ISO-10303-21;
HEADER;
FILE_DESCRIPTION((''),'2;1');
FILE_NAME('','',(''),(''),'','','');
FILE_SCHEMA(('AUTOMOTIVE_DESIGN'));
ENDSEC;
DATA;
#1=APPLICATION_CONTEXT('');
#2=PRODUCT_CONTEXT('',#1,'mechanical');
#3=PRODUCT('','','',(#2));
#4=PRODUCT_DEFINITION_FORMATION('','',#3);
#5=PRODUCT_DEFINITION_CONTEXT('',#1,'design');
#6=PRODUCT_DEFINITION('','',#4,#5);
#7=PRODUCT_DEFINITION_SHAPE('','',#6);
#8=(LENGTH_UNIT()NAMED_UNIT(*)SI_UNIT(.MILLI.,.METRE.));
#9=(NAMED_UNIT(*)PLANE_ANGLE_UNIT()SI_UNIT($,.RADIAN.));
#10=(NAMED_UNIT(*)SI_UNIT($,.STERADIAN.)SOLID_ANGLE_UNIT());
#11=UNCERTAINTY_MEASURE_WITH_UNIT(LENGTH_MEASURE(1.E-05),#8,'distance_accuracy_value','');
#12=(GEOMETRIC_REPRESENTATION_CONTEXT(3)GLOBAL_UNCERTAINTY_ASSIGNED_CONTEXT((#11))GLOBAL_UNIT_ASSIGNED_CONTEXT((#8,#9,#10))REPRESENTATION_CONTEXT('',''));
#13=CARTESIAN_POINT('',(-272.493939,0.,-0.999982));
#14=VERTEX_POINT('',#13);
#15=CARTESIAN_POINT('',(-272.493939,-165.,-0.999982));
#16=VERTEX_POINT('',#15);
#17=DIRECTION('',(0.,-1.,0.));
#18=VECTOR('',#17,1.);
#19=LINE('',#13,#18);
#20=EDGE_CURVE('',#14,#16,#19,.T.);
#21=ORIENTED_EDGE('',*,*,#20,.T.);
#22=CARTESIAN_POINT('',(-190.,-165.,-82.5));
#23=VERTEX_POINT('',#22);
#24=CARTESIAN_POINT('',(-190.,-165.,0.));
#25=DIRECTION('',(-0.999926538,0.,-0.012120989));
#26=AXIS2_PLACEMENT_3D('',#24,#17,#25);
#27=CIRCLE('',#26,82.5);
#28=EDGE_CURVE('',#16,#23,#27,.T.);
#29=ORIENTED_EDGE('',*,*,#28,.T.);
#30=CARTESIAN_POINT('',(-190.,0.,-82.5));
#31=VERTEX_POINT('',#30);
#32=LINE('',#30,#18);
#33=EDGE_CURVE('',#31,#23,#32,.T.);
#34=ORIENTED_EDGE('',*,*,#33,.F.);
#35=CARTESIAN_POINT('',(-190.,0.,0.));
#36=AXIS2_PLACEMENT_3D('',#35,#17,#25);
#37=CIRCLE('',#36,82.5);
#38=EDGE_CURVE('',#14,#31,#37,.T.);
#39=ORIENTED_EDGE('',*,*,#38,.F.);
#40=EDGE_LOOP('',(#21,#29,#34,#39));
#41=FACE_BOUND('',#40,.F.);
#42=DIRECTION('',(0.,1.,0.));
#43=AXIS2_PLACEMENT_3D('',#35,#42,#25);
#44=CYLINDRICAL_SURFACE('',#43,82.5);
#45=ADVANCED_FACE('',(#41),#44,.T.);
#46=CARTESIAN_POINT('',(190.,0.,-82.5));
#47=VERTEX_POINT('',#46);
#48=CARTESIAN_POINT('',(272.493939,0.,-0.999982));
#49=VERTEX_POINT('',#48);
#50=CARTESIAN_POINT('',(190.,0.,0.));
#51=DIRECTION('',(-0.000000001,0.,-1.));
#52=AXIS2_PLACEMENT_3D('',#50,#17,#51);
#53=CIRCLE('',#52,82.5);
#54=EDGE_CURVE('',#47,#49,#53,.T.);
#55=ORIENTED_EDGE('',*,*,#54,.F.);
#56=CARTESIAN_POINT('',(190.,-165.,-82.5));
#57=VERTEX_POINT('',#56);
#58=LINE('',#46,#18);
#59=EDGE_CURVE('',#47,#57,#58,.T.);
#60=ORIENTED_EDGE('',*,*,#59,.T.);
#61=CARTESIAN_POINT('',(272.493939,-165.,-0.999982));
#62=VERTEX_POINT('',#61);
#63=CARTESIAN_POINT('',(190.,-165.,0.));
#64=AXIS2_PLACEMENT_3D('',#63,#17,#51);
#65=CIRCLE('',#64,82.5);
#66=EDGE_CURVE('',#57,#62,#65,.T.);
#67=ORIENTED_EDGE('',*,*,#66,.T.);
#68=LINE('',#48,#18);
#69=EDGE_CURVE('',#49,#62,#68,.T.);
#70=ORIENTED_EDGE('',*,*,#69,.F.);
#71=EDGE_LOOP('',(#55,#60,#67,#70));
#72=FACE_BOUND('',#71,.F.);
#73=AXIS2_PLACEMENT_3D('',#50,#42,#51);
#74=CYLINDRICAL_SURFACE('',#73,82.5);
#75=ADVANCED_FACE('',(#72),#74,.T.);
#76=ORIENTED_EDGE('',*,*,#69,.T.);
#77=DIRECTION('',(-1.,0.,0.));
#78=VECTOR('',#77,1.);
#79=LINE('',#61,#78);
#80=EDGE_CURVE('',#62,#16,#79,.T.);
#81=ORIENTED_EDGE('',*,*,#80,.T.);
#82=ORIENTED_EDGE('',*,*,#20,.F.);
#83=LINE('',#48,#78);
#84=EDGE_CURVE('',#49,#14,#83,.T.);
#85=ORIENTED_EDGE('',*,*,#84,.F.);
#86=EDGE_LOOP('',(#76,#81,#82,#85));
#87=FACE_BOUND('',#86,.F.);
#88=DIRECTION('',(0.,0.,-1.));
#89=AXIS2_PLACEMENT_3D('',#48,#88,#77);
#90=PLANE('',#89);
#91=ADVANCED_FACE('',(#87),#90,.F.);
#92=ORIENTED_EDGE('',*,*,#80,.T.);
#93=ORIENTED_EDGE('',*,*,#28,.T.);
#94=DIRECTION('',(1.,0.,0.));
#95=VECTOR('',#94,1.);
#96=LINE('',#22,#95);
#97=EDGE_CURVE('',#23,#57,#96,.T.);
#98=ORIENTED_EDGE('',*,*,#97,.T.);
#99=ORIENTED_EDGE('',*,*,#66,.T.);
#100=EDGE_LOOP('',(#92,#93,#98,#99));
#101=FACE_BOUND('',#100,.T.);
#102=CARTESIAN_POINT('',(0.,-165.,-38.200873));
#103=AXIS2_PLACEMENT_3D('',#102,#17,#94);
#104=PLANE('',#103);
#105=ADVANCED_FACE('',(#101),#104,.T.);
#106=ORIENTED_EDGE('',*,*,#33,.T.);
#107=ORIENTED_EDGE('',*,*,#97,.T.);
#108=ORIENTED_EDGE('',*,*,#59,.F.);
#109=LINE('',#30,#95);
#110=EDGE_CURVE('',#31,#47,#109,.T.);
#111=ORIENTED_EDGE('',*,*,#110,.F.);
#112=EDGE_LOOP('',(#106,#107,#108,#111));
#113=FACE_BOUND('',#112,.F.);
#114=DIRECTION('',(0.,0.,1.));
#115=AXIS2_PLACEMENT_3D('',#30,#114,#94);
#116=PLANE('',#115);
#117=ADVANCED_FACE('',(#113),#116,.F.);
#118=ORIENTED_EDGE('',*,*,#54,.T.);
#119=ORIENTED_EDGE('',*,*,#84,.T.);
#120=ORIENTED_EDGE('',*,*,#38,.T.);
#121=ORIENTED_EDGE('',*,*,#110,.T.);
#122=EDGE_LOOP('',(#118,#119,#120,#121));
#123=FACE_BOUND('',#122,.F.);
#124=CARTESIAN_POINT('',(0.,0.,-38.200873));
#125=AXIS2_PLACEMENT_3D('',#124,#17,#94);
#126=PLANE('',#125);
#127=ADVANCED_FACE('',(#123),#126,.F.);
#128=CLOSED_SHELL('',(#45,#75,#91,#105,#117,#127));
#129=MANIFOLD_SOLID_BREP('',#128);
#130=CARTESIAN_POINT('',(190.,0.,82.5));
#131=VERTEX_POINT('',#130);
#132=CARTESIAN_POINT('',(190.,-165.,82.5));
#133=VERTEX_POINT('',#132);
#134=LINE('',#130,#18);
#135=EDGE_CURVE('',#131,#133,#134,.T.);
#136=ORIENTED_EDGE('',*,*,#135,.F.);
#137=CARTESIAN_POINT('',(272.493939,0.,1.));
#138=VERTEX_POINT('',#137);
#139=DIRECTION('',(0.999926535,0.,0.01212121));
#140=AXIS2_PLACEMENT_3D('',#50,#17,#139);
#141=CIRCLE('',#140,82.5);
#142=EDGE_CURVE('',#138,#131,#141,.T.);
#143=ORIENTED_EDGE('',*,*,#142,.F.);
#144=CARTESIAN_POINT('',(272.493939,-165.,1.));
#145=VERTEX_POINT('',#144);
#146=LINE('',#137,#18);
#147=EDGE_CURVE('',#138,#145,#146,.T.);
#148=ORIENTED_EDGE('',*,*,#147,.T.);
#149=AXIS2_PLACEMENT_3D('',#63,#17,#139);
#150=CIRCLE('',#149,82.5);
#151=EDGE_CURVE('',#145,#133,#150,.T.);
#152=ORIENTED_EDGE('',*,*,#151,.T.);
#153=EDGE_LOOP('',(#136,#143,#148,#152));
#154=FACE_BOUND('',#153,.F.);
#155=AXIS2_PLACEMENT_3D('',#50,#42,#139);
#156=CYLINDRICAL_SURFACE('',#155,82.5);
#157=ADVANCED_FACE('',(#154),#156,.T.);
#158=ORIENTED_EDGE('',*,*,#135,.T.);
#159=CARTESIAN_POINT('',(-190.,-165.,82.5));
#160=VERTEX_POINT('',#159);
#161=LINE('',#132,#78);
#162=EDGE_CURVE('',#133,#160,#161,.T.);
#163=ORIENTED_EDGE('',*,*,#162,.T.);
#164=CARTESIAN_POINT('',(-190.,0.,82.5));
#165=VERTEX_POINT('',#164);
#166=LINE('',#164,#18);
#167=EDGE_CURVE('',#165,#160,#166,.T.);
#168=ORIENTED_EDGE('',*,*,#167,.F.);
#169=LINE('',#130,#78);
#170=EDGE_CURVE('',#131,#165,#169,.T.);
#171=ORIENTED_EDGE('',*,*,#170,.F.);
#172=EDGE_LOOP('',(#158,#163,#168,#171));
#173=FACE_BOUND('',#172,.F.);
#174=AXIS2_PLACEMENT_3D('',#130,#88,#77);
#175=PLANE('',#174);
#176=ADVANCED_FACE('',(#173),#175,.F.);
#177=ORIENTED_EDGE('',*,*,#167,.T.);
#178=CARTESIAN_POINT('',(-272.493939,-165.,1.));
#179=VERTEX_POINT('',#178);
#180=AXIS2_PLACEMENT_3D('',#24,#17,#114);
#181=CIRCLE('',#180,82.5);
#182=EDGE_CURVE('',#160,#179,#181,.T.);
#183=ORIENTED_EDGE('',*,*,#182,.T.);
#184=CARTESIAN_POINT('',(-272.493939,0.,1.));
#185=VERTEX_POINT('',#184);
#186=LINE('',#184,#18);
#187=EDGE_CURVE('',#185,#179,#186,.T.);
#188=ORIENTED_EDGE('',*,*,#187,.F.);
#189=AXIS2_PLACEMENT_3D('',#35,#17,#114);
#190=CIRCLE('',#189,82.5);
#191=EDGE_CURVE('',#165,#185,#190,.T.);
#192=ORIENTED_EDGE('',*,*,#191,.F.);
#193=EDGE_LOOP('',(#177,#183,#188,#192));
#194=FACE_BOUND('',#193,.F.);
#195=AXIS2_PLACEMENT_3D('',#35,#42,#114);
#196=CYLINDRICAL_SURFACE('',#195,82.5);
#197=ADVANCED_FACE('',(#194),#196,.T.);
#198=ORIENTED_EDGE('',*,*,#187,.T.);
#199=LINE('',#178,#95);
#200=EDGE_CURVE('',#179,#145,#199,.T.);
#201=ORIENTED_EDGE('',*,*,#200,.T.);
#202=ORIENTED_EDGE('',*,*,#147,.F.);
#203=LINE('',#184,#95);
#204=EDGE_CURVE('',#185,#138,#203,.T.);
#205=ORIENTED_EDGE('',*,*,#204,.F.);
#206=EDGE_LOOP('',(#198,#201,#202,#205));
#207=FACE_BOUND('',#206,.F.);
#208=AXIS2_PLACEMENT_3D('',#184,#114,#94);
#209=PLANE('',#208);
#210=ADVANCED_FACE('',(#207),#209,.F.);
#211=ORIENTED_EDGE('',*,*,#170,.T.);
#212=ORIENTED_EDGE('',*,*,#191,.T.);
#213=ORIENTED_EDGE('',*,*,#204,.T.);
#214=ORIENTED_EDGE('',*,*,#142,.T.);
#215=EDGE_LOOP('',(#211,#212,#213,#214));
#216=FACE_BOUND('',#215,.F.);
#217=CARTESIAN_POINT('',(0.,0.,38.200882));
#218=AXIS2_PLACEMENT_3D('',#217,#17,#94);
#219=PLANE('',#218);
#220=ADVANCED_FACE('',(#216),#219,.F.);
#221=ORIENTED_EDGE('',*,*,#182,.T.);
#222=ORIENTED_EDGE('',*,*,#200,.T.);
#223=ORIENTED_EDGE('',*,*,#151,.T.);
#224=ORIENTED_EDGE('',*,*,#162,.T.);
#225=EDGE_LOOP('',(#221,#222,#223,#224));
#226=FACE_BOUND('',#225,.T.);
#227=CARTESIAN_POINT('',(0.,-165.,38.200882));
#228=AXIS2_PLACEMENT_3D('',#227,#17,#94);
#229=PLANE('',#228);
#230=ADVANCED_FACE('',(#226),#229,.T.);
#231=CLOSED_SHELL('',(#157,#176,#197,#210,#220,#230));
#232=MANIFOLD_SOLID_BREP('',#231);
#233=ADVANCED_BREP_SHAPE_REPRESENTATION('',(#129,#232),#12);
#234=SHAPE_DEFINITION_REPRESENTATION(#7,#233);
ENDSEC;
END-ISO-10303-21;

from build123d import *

# Parameters (mm, degrees)
F1_DEPTH = 165


with BuildPart() as f1:
    # F0 (on Front) → F1 (new body)
    with BuildSketch(Plane.XZ):
        with BuildLine():
            Line((-190, 1), (190, 1))
            Line((190, 1), (272.493939, 1))
            ThreePointArc((272.493939, 1), (247.981678, 58.688798), (190, 82.5))
            Line((190, 82.5), (-190, 82.5))
            ThreePointArc((-190, 82.5), (-247.981678, 58.688798), (-272.493939, 1))
            Line((-272.493939, 1), (-190, 1))
        make_face()
        with BuildLine():
            Line((272.493939, -0.999982), (190, -0.999982))
            Line((190, -0.999982), (-190, -0.999982))
            Line((-190, -0.999982), (-272.493939, -0.999982))
            ThreePointArc((-272.493939, -0.999982), (-247.981685, -58.688791), (-190, -82.5))
            Line((-190, -82.5), (190, -82.5))
            ThreePointArc((190, -82.5), (247.981685, -58.688791), (272.493939, -0.999982))
        make_face()
    extrude(amount=F1_DEPTH)


solid = f1.part
